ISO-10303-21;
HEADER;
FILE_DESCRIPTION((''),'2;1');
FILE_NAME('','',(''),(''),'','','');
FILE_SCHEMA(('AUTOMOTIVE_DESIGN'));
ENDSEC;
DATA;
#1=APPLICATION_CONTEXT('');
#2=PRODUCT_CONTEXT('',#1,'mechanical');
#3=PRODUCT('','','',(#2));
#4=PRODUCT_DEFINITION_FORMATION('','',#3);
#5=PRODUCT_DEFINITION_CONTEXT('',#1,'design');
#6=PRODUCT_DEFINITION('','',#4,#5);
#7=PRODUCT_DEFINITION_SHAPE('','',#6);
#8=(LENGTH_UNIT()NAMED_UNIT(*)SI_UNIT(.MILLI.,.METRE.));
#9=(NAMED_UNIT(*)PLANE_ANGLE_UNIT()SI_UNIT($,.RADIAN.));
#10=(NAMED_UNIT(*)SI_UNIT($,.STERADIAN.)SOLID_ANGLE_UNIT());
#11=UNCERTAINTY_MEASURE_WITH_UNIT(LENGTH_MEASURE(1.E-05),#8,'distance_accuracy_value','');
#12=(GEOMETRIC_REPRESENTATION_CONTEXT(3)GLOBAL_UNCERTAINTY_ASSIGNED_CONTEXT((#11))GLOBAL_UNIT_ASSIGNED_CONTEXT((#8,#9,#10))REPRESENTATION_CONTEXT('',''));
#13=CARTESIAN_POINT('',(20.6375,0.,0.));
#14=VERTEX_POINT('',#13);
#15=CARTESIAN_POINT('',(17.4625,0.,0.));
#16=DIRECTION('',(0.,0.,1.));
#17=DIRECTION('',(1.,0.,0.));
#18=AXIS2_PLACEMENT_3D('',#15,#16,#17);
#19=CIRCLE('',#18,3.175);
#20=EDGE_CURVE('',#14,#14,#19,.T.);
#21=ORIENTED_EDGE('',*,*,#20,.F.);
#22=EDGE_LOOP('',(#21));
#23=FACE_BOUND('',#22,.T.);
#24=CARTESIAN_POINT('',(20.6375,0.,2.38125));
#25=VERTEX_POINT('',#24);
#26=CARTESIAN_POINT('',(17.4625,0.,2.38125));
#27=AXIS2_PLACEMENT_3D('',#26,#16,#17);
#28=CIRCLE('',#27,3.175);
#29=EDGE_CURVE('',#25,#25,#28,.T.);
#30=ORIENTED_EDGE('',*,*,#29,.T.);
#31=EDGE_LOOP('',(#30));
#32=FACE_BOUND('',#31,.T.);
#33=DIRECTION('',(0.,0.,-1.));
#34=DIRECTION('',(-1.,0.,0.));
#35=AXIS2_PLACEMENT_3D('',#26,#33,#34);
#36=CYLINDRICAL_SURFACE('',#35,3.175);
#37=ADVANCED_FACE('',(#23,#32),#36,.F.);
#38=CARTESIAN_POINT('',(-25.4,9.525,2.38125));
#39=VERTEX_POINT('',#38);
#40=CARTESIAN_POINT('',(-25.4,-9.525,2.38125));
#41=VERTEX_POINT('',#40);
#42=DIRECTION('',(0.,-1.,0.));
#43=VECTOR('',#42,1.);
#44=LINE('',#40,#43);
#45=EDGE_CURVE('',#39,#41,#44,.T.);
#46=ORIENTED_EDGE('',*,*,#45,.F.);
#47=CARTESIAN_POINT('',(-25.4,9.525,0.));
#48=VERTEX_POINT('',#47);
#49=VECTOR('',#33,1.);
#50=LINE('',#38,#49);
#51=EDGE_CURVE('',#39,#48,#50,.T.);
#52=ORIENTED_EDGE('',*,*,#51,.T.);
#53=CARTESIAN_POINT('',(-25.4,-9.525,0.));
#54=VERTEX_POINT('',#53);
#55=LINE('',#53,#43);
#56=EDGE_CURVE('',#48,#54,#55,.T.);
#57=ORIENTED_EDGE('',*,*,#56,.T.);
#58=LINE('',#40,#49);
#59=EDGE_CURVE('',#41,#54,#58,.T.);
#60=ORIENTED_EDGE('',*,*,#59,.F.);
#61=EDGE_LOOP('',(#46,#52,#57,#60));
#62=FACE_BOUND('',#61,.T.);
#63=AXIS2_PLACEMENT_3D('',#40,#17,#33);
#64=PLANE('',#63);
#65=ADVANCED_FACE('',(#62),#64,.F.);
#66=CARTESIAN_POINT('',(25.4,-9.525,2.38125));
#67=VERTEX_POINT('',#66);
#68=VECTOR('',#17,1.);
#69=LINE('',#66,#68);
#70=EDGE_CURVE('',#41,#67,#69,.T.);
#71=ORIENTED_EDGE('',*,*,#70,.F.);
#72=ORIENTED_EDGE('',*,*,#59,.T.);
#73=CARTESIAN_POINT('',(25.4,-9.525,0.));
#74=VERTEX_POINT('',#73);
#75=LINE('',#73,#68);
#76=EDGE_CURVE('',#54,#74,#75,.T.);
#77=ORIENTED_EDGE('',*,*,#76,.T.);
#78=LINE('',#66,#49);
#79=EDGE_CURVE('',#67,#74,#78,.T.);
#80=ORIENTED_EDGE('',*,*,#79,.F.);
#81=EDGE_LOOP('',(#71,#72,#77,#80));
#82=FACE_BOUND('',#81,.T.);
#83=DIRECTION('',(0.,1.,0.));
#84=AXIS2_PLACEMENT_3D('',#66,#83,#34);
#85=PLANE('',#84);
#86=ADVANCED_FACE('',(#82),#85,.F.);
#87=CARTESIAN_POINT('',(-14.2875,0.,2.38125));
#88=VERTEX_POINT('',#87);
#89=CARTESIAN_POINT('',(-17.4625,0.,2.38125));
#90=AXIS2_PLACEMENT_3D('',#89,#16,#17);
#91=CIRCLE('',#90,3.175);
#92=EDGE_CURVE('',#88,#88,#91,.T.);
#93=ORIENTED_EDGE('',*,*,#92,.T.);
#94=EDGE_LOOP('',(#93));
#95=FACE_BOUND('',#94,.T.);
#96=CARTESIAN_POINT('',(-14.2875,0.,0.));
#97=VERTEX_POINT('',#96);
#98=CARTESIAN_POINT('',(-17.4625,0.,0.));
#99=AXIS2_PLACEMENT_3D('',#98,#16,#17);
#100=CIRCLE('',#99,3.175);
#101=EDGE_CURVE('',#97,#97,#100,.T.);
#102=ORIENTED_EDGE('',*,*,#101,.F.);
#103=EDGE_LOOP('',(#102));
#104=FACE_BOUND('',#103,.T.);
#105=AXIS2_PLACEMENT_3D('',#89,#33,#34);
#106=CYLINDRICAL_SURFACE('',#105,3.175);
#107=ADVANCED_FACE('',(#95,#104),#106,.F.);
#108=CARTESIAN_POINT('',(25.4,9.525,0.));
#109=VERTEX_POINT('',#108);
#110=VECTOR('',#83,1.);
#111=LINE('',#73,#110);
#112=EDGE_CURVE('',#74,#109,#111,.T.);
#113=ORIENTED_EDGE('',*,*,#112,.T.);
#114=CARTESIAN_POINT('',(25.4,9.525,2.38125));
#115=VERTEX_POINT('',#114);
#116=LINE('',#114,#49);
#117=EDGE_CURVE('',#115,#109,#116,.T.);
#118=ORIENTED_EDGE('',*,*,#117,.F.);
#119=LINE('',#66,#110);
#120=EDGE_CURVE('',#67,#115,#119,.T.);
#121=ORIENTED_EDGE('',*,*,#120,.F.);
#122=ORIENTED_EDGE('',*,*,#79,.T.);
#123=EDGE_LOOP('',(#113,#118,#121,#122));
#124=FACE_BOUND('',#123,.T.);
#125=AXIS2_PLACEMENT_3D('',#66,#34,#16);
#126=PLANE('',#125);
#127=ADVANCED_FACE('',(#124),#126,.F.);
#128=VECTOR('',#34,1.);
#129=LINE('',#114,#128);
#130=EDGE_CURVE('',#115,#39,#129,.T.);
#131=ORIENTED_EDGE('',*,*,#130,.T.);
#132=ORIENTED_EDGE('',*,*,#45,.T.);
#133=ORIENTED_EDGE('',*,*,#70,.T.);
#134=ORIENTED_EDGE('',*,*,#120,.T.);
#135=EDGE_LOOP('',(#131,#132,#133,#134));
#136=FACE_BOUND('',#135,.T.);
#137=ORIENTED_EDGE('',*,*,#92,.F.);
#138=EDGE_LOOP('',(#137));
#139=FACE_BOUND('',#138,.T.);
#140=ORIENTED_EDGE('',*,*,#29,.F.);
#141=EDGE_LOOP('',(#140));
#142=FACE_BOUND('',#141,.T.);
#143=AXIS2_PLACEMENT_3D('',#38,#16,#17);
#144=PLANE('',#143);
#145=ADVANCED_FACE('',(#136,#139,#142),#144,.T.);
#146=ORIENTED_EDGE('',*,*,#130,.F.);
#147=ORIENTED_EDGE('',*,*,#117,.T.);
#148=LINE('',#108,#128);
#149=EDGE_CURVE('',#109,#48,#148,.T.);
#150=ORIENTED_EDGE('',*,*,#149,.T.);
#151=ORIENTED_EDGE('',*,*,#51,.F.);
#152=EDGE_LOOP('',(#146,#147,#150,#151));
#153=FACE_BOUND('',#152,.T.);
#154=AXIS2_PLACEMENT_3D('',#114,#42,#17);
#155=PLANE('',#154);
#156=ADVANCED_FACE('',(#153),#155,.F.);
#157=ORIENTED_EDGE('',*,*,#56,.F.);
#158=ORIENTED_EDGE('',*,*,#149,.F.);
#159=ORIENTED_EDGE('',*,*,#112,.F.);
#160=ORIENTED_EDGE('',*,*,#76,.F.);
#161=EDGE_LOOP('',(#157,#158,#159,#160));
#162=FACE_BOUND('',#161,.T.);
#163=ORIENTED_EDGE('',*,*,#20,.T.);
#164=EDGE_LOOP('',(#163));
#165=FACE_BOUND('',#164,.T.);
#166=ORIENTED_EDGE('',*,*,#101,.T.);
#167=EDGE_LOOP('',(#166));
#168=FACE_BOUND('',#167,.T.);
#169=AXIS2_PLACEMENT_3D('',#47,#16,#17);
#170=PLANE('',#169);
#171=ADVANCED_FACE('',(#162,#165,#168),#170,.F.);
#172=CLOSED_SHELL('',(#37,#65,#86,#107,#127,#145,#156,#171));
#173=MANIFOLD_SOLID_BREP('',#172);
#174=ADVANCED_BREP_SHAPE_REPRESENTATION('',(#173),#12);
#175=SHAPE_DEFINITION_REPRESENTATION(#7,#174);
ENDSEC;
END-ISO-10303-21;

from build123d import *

# Parameters (mm, degrees)
SKETCH1_W           = 50.8
SKETCH1_H           = 19.05
SKETCH1_R           = 3.175
BOSS_EXTRUDE1_DEPTH = 2.38125


with BuildPart() as part:
    # Sketch1 → Boss-Extrude1 (new body)
    with BuildSketch(Plane.XY):
        Rectangle(SKETCH1_W, SKETCH1_H)
        with Locations((-17.4625, 0)):
            Circle(SKETCH1_R, mode=Mode.SUBTRACT)
        with Locations((17.4625, 0)):
            Circle(SKETCH1_R, mode=Mode.SUBTRACT)
    extrude(amount=BOSS_EXTRUDE1_DEPTH)


solid = part.part
